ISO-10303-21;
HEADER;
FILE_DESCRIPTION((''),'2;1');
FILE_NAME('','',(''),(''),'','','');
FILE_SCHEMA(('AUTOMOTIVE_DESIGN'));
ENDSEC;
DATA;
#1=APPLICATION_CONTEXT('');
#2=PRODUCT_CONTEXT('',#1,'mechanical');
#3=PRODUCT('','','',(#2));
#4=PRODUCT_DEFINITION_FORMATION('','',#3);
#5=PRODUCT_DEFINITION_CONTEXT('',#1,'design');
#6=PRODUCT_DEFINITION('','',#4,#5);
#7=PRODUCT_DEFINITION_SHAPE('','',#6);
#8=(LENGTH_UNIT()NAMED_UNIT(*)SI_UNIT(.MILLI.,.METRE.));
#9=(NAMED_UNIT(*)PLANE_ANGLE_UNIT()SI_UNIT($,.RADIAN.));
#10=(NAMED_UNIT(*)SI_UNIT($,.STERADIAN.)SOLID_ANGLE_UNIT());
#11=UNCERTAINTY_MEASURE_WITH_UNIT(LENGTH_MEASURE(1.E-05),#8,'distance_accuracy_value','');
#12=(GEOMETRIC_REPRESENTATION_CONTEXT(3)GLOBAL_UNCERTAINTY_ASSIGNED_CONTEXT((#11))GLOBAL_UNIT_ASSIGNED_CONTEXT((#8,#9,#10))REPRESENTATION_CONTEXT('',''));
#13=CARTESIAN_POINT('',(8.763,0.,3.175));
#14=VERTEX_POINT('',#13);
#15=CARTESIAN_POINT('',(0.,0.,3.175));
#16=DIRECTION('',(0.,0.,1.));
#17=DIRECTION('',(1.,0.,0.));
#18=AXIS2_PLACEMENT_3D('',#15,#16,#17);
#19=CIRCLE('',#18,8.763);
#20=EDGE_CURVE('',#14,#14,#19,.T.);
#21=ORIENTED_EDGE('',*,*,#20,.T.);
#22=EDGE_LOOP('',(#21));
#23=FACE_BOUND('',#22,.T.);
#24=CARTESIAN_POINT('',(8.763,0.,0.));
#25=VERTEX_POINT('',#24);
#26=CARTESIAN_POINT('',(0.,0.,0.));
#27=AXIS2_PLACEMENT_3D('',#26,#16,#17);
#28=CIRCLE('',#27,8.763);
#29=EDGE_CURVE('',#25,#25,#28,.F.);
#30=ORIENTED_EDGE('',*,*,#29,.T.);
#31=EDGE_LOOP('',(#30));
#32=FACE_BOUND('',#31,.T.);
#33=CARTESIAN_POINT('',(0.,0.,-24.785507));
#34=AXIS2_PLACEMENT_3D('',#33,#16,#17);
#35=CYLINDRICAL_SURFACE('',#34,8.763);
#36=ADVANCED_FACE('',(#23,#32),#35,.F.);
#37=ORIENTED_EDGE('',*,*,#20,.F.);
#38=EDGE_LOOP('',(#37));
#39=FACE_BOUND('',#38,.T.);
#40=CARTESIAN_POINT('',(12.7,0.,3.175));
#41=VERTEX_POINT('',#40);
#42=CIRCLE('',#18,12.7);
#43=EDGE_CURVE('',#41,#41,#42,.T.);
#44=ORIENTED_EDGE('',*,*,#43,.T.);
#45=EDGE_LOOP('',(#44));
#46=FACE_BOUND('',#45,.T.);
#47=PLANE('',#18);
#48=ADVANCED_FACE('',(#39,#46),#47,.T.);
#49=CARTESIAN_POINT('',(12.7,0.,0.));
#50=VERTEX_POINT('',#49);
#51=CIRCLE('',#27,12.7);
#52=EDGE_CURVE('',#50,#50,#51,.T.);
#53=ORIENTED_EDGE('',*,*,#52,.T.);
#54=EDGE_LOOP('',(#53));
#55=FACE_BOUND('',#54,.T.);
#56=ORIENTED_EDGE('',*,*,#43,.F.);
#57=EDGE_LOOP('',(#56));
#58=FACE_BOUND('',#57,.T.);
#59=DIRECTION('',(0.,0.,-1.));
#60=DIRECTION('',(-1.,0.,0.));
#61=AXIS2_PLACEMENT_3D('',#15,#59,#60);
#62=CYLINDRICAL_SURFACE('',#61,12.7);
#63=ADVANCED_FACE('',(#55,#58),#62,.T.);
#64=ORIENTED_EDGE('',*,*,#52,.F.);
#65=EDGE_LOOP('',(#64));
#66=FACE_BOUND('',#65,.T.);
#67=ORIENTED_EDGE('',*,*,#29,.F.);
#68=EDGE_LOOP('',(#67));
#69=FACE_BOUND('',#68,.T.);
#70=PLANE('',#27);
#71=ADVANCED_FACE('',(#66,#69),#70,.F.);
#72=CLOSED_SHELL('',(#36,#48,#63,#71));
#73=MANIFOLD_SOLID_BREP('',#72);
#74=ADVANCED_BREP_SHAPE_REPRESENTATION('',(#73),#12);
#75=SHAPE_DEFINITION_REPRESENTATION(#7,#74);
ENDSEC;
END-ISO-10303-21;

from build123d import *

# Parameters (mm, degrees)
SKETCH1_R           = 12.7
BOSS_EXTRUDE1_DEPTH = 3.175
SKETCH2_R           = 8.763
CUT_EXTRUDE1_DEPTH  = 3.175


with BuildPart() as part:
    # Sketch1 → Boss-Extrude1 (new body)
    with BuildSketch(Plane.XY):
        Circle(SKETCH1_R)
    extrude(amount=BOSS_EXTRUDE1_DEPTH)

    # Sketch2 → Cut-Extrude1 (cut)
    with BuildSketch(Plane.XY.offset(3.175)):
        Circle(SKETCH2_R)
    extrude(amount=-CUT_EXTRUDE1_DEPTH, mode=Mode.SUBTRACT)


solid = part.part
